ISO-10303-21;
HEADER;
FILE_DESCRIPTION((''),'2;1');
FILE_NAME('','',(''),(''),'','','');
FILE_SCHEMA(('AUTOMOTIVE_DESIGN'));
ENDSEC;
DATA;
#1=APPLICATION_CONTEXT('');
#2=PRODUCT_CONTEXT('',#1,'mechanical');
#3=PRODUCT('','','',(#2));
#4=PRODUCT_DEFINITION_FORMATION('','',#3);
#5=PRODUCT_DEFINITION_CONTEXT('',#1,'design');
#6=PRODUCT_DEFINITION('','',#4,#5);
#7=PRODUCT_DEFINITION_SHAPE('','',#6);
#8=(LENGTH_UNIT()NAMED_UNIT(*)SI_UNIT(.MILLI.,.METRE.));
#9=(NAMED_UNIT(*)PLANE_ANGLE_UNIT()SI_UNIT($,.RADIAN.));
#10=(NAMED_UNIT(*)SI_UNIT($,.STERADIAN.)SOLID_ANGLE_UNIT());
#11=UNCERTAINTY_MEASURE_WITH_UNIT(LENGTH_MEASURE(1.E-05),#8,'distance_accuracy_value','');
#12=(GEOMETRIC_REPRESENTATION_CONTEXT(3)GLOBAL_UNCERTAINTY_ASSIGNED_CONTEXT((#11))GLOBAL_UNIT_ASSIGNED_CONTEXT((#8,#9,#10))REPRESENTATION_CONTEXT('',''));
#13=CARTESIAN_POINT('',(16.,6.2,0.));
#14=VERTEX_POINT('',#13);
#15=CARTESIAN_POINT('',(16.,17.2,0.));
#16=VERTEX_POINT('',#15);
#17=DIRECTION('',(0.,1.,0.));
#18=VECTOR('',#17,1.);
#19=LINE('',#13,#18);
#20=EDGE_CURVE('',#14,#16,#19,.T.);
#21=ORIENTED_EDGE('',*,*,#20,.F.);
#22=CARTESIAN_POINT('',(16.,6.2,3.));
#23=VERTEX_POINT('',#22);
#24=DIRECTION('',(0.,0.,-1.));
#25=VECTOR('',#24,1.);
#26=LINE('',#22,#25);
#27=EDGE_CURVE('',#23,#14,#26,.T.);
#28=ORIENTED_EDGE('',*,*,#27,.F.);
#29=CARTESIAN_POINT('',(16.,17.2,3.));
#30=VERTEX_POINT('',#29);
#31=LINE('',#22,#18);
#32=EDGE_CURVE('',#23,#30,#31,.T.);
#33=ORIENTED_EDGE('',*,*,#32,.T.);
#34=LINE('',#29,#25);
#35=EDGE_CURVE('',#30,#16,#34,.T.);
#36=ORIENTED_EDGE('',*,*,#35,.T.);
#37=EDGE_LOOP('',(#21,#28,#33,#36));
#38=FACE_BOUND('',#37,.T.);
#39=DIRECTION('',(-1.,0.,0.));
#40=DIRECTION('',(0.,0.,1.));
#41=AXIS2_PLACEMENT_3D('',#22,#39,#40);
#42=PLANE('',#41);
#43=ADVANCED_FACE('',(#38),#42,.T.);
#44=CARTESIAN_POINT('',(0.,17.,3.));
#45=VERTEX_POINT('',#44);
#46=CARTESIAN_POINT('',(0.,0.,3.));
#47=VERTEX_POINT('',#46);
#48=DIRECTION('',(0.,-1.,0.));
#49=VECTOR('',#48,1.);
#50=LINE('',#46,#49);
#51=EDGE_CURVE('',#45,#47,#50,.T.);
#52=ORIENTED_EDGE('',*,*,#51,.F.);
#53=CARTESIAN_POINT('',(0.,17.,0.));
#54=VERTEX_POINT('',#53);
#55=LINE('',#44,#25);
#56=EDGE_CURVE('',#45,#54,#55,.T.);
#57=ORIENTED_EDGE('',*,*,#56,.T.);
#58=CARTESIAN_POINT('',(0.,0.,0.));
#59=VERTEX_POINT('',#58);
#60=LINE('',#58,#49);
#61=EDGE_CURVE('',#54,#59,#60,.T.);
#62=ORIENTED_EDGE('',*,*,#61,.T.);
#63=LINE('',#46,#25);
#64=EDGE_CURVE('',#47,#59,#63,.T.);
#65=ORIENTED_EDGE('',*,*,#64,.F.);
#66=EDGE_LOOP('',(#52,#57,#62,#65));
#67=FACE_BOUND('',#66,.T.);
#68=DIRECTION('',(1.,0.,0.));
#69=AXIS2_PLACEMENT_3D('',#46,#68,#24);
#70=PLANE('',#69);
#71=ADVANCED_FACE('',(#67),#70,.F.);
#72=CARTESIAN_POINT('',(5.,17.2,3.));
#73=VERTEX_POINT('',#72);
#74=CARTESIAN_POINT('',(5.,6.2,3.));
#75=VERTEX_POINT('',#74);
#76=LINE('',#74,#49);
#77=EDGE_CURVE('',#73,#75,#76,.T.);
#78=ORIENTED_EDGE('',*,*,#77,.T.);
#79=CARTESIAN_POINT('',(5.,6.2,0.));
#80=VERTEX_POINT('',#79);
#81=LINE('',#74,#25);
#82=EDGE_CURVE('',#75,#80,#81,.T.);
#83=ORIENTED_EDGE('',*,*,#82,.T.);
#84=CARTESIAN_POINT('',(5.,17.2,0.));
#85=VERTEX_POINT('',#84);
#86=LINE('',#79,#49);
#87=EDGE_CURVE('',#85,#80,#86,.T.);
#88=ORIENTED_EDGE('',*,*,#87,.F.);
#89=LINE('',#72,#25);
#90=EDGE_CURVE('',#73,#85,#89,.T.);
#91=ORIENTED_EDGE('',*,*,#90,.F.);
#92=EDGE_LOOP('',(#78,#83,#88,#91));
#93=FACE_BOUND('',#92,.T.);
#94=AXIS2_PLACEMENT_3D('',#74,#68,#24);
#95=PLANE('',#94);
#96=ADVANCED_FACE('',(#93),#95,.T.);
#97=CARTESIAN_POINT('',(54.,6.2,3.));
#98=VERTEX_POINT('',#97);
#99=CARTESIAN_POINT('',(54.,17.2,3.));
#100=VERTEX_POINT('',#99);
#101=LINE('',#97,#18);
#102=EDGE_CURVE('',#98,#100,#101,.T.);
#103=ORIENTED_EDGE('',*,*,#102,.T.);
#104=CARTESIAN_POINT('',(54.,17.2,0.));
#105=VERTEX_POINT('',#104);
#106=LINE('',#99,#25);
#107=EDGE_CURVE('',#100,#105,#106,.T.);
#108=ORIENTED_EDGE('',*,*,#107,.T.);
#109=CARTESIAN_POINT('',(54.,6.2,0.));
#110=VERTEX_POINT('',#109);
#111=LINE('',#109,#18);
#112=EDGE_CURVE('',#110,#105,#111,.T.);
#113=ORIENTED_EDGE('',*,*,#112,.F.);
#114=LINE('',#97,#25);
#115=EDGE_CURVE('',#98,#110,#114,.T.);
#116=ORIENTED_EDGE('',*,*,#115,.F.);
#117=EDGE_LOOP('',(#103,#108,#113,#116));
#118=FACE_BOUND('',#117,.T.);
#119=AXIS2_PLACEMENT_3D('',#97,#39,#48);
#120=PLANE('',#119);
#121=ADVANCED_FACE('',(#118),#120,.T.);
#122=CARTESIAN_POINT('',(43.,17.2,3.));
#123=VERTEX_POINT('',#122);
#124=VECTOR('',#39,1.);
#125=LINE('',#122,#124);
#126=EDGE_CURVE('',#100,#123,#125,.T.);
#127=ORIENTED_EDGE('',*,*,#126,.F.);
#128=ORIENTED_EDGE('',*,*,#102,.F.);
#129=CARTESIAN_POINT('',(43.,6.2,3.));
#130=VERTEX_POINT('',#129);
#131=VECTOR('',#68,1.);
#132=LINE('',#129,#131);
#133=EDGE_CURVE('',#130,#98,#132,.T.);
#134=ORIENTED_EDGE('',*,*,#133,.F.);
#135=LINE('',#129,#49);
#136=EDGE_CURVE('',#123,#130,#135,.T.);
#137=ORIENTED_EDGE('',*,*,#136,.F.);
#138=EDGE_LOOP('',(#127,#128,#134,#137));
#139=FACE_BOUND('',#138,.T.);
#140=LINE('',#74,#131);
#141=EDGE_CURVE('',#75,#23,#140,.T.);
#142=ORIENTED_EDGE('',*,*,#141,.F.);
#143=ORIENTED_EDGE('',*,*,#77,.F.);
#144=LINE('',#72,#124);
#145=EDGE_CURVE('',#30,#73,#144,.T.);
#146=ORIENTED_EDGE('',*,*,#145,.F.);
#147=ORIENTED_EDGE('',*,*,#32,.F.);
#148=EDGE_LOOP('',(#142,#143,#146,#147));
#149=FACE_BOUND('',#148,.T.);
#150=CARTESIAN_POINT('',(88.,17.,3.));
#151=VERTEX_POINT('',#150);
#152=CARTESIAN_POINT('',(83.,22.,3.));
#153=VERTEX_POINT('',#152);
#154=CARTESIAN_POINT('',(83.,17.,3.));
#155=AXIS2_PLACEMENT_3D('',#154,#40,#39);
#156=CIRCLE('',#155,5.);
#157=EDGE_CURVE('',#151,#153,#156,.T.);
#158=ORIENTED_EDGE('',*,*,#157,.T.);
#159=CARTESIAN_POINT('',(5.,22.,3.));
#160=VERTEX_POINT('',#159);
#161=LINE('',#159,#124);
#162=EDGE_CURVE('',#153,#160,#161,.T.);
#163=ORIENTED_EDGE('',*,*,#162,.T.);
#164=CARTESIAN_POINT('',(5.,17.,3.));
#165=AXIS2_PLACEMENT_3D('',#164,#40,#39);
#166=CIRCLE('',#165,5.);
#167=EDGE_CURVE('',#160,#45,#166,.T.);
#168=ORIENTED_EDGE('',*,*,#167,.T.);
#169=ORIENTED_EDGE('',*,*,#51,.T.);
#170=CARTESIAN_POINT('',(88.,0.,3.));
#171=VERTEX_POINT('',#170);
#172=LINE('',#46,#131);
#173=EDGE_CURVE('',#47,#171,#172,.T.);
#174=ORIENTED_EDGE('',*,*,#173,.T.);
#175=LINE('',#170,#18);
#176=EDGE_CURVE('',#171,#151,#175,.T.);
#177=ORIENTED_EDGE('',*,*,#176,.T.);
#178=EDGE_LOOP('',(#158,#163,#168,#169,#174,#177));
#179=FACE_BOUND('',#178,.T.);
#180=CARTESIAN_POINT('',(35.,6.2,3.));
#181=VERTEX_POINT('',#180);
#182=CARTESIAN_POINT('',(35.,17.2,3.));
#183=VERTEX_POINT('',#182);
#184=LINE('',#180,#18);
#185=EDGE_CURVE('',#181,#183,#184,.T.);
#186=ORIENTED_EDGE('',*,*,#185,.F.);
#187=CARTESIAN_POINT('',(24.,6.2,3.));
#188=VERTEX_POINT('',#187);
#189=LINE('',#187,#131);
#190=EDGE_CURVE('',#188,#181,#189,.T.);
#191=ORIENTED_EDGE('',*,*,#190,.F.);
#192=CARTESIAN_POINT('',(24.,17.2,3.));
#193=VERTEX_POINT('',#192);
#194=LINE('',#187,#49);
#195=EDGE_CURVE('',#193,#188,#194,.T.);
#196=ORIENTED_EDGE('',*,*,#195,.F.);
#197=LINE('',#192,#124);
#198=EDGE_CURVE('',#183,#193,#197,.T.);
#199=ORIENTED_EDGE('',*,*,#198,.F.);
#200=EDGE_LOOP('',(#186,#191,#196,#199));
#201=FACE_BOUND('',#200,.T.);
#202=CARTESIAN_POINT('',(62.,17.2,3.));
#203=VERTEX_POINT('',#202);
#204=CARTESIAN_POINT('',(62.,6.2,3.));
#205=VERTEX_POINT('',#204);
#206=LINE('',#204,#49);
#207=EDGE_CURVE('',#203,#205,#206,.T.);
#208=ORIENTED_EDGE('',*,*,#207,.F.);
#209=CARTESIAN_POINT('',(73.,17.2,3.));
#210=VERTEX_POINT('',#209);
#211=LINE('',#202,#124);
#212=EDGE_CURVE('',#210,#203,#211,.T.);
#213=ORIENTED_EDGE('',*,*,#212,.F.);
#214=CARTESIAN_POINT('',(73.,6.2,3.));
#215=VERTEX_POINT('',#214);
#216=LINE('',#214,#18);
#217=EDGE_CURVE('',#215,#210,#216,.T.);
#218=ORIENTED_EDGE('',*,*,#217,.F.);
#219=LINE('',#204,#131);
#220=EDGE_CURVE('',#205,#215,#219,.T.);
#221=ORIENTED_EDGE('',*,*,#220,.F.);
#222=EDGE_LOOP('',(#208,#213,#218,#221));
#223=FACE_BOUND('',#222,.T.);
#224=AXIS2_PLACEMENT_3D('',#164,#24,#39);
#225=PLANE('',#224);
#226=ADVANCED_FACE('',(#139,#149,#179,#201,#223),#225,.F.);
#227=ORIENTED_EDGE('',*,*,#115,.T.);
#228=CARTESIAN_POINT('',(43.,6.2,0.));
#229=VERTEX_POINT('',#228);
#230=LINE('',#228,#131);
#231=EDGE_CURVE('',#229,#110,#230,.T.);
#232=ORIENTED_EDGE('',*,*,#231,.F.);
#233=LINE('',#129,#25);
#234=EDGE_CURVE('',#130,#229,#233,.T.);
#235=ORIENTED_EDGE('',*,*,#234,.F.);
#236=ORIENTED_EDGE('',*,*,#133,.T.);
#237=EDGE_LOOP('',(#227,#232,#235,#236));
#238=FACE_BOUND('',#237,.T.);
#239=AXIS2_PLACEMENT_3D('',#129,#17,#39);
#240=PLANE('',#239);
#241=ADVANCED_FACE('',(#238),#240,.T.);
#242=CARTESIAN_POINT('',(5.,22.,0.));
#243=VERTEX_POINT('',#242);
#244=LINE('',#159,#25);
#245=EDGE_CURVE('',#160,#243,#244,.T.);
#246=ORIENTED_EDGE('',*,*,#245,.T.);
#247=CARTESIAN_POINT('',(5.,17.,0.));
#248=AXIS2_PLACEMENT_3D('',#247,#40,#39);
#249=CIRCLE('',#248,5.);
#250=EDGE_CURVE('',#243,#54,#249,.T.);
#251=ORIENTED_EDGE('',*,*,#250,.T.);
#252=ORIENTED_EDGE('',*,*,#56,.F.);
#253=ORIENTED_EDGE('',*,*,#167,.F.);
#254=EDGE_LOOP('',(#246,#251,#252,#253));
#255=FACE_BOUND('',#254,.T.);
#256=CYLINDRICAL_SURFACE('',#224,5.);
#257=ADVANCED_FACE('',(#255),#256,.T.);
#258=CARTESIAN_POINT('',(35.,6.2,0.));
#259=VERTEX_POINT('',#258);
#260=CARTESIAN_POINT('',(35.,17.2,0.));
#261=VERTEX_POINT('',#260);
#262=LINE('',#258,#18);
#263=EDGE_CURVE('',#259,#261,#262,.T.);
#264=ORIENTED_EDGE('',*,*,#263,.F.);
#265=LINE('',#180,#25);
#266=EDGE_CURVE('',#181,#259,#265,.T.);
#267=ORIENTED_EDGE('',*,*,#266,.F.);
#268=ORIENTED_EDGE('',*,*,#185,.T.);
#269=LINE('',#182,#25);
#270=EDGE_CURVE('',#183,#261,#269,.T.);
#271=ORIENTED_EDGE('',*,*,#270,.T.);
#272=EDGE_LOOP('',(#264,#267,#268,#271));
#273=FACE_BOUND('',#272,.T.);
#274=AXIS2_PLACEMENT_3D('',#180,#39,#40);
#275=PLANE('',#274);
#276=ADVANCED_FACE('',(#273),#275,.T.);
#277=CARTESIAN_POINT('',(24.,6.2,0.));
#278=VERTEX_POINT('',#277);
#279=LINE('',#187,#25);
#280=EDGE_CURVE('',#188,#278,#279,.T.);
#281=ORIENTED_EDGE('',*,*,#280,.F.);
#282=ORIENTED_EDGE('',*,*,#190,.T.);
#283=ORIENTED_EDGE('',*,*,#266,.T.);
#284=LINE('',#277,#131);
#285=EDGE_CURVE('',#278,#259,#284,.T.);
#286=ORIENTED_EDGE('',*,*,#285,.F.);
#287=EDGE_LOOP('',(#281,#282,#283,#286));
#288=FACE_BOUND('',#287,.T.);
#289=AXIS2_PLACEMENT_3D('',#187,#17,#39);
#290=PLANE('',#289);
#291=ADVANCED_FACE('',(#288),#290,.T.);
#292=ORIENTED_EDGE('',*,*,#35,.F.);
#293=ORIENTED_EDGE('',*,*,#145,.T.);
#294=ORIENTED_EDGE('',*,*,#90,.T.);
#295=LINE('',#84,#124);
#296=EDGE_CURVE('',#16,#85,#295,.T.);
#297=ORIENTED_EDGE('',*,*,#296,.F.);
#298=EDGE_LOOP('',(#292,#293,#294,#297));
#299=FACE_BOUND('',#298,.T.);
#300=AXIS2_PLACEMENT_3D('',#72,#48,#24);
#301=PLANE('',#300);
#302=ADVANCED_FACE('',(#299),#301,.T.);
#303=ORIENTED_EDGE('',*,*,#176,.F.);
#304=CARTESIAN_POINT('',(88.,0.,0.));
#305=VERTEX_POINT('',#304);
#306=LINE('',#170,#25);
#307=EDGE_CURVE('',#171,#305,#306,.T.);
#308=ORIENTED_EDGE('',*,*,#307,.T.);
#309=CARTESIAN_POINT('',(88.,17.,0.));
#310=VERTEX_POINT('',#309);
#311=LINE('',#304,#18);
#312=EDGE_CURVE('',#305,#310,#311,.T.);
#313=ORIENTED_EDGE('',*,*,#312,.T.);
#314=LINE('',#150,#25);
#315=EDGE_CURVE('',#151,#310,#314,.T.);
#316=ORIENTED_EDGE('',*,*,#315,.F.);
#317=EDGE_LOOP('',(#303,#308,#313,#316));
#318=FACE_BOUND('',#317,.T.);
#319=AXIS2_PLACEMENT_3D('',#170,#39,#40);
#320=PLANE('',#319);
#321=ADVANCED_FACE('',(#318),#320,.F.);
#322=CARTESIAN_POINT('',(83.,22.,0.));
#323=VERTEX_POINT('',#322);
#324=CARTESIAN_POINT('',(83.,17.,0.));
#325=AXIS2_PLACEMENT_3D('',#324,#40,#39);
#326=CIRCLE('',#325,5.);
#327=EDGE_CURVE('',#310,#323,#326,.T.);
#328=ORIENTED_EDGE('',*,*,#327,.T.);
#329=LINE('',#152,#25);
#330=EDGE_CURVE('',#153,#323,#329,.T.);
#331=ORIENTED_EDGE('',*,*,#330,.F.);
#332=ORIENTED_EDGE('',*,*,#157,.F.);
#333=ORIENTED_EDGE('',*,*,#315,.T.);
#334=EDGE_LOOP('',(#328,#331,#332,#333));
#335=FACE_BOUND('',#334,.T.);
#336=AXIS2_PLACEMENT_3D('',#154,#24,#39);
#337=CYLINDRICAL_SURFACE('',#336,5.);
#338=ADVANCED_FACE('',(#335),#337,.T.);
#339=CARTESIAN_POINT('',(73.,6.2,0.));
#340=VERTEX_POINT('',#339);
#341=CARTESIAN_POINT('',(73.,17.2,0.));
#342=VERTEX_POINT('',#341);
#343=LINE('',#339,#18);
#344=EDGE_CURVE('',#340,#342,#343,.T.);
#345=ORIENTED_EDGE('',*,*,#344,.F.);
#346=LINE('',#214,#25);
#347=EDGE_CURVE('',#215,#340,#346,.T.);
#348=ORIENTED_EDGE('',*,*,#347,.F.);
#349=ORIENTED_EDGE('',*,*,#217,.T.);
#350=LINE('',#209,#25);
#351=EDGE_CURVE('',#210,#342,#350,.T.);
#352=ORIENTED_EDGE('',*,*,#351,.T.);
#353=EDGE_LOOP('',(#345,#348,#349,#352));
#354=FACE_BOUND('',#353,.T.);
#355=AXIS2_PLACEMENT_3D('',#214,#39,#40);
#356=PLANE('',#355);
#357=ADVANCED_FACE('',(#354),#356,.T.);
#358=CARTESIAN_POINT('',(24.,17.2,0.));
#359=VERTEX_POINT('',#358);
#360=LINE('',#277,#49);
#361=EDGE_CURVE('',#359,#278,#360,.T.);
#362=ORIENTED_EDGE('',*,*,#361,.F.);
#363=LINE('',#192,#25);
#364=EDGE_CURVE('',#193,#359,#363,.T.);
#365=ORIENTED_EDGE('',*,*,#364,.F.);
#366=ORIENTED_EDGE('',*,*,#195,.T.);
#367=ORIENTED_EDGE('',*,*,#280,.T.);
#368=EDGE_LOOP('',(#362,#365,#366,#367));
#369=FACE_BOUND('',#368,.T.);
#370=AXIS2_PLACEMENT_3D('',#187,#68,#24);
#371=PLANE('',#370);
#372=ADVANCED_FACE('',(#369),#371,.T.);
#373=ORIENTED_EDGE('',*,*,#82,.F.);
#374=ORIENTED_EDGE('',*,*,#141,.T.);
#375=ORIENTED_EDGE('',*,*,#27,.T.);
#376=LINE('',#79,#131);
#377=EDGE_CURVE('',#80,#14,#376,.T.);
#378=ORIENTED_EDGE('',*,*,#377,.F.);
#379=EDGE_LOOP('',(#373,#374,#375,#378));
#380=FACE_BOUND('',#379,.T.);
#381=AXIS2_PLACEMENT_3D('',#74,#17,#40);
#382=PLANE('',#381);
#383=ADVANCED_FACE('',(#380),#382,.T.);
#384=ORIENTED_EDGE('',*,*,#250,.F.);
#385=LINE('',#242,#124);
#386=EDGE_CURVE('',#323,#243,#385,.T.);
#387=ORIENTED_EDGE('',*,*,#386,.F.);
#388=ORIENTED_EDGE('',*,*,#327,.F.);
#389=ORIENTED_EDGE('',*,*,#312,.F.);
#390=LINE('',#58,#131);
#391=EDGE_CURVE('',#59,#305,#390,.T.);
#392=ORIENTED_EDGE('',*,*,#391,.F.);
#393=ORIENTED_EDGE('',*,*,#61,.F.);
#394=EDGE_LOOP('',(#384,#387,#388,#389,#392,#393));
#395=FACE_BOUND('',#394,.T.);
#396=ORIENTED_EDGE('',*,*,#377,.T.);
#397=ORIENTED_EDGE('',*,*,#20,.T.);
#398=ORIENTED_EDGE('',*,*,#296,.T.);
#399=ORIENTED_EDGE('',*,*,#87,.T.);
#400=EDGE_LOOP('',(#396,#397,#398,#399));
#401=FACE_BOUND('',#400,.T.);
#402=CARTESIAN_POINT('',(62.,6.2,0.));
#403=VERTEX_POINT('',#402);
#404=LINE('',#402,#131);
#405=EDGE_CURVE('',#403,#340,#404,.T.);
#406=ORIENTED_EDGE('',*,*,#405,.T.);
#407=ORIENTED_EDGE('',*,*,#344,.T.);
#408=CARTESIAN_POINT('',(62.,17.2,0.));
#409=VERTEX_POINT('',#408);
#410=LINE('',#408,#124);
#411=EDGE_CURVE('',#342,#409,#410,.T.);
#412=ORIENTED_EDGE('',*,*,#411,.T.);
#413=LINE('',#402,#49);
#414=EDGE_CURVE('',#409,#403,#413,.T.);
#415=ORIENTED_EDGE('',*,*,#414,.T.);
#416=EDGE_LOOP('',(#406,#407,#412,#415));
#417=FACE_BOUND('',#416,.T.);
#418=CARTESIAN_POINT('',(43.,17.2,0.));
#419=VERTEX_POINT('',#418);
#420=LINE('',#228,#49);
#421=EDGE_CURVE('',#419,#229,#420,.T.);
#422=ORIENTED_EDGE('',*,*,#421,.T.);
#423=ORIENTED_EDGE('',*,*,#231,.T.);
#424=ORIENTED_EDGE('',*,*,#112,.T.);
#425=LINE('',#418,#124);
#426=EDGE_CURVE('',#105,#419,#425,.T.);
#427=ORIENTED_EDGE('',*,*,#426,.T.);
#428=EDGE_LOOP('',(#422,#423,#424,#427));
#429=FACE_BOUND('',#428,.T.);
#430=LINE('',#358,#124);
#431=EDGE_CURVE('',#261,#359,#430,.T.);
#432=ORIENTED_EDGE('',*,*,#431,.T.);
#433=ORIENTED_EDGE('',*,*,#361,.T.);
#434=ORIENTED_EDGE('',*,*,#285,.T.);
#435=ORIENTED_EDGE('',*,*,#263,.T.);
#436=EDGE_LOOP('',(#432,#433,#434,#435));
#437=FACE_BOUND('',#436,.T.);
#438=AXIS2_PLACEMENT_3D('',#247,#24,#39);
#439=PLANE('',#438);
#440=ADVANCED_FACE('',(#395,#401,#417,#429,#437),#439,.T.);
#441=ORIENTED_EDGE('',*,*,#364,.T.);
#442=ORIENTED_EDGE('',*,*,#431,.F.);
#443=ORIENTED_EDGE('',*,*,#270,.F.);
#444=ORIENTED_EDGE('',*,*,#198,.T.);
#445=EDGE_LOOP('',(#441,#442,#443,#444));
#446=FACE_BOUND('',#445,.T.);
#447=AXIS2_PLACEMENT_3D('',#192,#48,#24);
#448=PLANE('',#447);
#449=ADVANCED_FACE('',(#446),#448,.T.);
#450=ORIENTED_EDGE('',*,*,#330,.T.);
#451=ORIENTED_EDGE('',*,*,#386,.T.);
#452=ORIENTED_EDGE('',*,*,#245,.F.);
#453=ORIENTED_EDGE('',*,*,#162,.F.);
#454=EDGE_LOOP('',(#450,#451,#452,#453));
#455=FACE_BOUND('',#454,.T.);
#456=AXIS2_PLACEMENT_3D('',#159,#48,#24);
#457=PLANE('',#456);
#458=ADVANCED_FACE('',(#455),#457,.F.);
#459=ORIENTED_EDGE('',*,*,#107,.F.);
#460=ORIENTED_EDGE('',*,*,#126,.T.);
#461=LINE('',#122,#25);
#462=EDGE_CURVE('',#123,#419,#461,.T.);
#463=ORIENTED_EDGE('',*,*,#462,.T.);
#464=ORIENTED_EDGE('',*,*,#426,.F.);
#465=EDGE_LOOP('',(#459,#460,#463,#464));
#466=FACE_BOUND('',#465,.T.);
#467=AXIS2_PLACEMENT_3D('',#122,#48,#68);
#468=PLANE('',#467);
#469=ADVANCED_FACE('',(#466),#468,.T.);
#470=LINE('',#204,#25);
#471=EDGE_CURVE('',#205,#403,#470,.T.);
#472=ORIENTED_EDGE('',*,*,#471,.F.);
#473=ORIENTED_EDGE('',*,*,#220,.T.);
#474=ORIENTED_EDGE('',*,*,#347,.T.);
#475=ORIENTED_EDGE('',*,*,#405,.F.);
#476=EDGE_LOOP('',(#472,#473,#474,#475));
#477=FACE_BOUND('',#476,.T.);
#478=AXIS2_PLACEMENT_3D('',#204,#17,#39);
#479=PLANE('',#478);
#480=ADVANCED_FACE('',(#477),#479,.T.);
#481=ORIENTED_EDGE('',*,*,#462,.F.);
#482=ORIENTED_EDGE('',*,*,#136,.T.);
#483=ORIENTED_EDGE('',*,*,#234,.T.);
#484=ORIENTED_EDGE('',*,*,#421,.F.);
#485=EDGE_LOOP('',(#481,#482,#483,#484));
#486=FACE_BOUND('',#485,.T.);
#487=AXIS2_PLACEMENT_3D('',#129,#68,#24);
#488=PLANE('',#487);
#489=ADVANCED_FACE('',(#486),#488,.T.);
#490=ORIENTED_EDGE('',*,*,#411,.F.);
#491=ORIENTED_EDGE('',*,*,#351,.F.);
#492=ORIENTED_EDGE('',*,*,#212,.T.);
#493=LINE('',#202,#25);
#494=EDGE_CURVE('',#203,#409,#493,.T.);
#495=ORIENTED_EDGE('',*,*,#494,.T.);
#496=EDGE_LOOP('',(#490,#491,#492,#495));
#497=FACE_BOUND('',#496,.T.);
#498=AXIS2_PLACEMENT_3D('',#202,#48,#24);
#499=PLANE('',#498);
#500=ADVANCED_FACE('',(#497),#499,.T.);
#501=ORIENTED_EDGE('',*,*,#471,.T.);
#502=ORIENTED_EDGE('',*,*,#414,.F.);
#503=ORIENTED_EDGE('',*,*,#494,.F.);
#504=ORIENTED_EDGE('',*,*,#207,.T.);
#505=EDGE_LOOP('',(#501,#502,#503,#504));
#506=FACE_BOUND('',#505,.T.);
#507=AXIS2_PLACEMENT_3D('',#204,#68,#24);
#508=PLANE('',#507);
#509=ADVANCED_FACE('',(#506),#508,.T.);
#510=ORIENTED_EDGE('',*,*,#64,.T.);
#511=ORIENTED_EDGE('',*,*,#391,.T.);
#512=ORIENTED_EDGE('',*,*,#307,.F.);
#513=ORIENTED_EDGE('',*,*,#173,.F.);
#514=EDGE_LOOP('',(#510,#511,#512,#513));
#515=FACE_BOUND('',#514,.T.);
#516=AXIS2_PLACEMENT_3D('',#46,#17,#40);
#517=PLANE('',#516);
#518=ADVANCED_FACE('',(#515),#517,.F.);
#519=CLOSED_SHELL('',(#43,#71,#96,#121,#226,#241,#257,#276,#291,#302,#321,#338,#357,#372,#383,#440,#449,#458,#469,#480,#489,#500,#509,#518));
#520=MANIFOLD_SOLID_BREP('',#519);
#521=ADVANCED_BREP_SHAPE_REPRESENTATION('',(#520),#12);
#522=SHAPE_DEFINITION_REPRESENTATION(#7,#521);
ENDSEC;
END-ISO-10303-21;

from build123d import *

# Parameters (mm, degrees)
SKETCH1_W           = 11
SKETCH1_H           = 11
BOSS_EXTRUDE1_DEPTH = 3


with BuildPart() as part:
    # Sketch1 → Boss-Extrude1 (new body)
    with BuildSketch(Plane.XY):
        with BuildLine():
            Line((0, 0), (88, 0))
            Line((88, 0), (88, 17))
            ThreePointArc((88, 17), (86.535533906, 20.535533906), (83, 22))
            Line((83, 22), (5, 22))
            ThreePointArc((5, 22), (1.464466094, 20.535533906), (0, 17))
            Line((0, 17), (0, 0))
        make_face()
        with Locations((10.5, 11.7)):
            Rectangle(SKETCH1_W, SKETCH1_H, mode=Mode.SUBTRACT)
        with Locations((29.5, 11.7)):
            Rectangle(SKETCH1_W, SKETCH1_H, mode=Mode.SUBTRACT)
        with Locations((48.5, 11.7)):
            Rectangle(SKETCH1_W, SKETCH1_H, mode=Mode.SUBTRACT)
        with Locations((67.5, 11.7)):
            Rectangle(SKETCH1_W, SKETCH1_H, mode=Mode.SUBTRACT)
    extrude(amount=BOSS_EXTRUDE1_DEPTH)


solid = part.part
